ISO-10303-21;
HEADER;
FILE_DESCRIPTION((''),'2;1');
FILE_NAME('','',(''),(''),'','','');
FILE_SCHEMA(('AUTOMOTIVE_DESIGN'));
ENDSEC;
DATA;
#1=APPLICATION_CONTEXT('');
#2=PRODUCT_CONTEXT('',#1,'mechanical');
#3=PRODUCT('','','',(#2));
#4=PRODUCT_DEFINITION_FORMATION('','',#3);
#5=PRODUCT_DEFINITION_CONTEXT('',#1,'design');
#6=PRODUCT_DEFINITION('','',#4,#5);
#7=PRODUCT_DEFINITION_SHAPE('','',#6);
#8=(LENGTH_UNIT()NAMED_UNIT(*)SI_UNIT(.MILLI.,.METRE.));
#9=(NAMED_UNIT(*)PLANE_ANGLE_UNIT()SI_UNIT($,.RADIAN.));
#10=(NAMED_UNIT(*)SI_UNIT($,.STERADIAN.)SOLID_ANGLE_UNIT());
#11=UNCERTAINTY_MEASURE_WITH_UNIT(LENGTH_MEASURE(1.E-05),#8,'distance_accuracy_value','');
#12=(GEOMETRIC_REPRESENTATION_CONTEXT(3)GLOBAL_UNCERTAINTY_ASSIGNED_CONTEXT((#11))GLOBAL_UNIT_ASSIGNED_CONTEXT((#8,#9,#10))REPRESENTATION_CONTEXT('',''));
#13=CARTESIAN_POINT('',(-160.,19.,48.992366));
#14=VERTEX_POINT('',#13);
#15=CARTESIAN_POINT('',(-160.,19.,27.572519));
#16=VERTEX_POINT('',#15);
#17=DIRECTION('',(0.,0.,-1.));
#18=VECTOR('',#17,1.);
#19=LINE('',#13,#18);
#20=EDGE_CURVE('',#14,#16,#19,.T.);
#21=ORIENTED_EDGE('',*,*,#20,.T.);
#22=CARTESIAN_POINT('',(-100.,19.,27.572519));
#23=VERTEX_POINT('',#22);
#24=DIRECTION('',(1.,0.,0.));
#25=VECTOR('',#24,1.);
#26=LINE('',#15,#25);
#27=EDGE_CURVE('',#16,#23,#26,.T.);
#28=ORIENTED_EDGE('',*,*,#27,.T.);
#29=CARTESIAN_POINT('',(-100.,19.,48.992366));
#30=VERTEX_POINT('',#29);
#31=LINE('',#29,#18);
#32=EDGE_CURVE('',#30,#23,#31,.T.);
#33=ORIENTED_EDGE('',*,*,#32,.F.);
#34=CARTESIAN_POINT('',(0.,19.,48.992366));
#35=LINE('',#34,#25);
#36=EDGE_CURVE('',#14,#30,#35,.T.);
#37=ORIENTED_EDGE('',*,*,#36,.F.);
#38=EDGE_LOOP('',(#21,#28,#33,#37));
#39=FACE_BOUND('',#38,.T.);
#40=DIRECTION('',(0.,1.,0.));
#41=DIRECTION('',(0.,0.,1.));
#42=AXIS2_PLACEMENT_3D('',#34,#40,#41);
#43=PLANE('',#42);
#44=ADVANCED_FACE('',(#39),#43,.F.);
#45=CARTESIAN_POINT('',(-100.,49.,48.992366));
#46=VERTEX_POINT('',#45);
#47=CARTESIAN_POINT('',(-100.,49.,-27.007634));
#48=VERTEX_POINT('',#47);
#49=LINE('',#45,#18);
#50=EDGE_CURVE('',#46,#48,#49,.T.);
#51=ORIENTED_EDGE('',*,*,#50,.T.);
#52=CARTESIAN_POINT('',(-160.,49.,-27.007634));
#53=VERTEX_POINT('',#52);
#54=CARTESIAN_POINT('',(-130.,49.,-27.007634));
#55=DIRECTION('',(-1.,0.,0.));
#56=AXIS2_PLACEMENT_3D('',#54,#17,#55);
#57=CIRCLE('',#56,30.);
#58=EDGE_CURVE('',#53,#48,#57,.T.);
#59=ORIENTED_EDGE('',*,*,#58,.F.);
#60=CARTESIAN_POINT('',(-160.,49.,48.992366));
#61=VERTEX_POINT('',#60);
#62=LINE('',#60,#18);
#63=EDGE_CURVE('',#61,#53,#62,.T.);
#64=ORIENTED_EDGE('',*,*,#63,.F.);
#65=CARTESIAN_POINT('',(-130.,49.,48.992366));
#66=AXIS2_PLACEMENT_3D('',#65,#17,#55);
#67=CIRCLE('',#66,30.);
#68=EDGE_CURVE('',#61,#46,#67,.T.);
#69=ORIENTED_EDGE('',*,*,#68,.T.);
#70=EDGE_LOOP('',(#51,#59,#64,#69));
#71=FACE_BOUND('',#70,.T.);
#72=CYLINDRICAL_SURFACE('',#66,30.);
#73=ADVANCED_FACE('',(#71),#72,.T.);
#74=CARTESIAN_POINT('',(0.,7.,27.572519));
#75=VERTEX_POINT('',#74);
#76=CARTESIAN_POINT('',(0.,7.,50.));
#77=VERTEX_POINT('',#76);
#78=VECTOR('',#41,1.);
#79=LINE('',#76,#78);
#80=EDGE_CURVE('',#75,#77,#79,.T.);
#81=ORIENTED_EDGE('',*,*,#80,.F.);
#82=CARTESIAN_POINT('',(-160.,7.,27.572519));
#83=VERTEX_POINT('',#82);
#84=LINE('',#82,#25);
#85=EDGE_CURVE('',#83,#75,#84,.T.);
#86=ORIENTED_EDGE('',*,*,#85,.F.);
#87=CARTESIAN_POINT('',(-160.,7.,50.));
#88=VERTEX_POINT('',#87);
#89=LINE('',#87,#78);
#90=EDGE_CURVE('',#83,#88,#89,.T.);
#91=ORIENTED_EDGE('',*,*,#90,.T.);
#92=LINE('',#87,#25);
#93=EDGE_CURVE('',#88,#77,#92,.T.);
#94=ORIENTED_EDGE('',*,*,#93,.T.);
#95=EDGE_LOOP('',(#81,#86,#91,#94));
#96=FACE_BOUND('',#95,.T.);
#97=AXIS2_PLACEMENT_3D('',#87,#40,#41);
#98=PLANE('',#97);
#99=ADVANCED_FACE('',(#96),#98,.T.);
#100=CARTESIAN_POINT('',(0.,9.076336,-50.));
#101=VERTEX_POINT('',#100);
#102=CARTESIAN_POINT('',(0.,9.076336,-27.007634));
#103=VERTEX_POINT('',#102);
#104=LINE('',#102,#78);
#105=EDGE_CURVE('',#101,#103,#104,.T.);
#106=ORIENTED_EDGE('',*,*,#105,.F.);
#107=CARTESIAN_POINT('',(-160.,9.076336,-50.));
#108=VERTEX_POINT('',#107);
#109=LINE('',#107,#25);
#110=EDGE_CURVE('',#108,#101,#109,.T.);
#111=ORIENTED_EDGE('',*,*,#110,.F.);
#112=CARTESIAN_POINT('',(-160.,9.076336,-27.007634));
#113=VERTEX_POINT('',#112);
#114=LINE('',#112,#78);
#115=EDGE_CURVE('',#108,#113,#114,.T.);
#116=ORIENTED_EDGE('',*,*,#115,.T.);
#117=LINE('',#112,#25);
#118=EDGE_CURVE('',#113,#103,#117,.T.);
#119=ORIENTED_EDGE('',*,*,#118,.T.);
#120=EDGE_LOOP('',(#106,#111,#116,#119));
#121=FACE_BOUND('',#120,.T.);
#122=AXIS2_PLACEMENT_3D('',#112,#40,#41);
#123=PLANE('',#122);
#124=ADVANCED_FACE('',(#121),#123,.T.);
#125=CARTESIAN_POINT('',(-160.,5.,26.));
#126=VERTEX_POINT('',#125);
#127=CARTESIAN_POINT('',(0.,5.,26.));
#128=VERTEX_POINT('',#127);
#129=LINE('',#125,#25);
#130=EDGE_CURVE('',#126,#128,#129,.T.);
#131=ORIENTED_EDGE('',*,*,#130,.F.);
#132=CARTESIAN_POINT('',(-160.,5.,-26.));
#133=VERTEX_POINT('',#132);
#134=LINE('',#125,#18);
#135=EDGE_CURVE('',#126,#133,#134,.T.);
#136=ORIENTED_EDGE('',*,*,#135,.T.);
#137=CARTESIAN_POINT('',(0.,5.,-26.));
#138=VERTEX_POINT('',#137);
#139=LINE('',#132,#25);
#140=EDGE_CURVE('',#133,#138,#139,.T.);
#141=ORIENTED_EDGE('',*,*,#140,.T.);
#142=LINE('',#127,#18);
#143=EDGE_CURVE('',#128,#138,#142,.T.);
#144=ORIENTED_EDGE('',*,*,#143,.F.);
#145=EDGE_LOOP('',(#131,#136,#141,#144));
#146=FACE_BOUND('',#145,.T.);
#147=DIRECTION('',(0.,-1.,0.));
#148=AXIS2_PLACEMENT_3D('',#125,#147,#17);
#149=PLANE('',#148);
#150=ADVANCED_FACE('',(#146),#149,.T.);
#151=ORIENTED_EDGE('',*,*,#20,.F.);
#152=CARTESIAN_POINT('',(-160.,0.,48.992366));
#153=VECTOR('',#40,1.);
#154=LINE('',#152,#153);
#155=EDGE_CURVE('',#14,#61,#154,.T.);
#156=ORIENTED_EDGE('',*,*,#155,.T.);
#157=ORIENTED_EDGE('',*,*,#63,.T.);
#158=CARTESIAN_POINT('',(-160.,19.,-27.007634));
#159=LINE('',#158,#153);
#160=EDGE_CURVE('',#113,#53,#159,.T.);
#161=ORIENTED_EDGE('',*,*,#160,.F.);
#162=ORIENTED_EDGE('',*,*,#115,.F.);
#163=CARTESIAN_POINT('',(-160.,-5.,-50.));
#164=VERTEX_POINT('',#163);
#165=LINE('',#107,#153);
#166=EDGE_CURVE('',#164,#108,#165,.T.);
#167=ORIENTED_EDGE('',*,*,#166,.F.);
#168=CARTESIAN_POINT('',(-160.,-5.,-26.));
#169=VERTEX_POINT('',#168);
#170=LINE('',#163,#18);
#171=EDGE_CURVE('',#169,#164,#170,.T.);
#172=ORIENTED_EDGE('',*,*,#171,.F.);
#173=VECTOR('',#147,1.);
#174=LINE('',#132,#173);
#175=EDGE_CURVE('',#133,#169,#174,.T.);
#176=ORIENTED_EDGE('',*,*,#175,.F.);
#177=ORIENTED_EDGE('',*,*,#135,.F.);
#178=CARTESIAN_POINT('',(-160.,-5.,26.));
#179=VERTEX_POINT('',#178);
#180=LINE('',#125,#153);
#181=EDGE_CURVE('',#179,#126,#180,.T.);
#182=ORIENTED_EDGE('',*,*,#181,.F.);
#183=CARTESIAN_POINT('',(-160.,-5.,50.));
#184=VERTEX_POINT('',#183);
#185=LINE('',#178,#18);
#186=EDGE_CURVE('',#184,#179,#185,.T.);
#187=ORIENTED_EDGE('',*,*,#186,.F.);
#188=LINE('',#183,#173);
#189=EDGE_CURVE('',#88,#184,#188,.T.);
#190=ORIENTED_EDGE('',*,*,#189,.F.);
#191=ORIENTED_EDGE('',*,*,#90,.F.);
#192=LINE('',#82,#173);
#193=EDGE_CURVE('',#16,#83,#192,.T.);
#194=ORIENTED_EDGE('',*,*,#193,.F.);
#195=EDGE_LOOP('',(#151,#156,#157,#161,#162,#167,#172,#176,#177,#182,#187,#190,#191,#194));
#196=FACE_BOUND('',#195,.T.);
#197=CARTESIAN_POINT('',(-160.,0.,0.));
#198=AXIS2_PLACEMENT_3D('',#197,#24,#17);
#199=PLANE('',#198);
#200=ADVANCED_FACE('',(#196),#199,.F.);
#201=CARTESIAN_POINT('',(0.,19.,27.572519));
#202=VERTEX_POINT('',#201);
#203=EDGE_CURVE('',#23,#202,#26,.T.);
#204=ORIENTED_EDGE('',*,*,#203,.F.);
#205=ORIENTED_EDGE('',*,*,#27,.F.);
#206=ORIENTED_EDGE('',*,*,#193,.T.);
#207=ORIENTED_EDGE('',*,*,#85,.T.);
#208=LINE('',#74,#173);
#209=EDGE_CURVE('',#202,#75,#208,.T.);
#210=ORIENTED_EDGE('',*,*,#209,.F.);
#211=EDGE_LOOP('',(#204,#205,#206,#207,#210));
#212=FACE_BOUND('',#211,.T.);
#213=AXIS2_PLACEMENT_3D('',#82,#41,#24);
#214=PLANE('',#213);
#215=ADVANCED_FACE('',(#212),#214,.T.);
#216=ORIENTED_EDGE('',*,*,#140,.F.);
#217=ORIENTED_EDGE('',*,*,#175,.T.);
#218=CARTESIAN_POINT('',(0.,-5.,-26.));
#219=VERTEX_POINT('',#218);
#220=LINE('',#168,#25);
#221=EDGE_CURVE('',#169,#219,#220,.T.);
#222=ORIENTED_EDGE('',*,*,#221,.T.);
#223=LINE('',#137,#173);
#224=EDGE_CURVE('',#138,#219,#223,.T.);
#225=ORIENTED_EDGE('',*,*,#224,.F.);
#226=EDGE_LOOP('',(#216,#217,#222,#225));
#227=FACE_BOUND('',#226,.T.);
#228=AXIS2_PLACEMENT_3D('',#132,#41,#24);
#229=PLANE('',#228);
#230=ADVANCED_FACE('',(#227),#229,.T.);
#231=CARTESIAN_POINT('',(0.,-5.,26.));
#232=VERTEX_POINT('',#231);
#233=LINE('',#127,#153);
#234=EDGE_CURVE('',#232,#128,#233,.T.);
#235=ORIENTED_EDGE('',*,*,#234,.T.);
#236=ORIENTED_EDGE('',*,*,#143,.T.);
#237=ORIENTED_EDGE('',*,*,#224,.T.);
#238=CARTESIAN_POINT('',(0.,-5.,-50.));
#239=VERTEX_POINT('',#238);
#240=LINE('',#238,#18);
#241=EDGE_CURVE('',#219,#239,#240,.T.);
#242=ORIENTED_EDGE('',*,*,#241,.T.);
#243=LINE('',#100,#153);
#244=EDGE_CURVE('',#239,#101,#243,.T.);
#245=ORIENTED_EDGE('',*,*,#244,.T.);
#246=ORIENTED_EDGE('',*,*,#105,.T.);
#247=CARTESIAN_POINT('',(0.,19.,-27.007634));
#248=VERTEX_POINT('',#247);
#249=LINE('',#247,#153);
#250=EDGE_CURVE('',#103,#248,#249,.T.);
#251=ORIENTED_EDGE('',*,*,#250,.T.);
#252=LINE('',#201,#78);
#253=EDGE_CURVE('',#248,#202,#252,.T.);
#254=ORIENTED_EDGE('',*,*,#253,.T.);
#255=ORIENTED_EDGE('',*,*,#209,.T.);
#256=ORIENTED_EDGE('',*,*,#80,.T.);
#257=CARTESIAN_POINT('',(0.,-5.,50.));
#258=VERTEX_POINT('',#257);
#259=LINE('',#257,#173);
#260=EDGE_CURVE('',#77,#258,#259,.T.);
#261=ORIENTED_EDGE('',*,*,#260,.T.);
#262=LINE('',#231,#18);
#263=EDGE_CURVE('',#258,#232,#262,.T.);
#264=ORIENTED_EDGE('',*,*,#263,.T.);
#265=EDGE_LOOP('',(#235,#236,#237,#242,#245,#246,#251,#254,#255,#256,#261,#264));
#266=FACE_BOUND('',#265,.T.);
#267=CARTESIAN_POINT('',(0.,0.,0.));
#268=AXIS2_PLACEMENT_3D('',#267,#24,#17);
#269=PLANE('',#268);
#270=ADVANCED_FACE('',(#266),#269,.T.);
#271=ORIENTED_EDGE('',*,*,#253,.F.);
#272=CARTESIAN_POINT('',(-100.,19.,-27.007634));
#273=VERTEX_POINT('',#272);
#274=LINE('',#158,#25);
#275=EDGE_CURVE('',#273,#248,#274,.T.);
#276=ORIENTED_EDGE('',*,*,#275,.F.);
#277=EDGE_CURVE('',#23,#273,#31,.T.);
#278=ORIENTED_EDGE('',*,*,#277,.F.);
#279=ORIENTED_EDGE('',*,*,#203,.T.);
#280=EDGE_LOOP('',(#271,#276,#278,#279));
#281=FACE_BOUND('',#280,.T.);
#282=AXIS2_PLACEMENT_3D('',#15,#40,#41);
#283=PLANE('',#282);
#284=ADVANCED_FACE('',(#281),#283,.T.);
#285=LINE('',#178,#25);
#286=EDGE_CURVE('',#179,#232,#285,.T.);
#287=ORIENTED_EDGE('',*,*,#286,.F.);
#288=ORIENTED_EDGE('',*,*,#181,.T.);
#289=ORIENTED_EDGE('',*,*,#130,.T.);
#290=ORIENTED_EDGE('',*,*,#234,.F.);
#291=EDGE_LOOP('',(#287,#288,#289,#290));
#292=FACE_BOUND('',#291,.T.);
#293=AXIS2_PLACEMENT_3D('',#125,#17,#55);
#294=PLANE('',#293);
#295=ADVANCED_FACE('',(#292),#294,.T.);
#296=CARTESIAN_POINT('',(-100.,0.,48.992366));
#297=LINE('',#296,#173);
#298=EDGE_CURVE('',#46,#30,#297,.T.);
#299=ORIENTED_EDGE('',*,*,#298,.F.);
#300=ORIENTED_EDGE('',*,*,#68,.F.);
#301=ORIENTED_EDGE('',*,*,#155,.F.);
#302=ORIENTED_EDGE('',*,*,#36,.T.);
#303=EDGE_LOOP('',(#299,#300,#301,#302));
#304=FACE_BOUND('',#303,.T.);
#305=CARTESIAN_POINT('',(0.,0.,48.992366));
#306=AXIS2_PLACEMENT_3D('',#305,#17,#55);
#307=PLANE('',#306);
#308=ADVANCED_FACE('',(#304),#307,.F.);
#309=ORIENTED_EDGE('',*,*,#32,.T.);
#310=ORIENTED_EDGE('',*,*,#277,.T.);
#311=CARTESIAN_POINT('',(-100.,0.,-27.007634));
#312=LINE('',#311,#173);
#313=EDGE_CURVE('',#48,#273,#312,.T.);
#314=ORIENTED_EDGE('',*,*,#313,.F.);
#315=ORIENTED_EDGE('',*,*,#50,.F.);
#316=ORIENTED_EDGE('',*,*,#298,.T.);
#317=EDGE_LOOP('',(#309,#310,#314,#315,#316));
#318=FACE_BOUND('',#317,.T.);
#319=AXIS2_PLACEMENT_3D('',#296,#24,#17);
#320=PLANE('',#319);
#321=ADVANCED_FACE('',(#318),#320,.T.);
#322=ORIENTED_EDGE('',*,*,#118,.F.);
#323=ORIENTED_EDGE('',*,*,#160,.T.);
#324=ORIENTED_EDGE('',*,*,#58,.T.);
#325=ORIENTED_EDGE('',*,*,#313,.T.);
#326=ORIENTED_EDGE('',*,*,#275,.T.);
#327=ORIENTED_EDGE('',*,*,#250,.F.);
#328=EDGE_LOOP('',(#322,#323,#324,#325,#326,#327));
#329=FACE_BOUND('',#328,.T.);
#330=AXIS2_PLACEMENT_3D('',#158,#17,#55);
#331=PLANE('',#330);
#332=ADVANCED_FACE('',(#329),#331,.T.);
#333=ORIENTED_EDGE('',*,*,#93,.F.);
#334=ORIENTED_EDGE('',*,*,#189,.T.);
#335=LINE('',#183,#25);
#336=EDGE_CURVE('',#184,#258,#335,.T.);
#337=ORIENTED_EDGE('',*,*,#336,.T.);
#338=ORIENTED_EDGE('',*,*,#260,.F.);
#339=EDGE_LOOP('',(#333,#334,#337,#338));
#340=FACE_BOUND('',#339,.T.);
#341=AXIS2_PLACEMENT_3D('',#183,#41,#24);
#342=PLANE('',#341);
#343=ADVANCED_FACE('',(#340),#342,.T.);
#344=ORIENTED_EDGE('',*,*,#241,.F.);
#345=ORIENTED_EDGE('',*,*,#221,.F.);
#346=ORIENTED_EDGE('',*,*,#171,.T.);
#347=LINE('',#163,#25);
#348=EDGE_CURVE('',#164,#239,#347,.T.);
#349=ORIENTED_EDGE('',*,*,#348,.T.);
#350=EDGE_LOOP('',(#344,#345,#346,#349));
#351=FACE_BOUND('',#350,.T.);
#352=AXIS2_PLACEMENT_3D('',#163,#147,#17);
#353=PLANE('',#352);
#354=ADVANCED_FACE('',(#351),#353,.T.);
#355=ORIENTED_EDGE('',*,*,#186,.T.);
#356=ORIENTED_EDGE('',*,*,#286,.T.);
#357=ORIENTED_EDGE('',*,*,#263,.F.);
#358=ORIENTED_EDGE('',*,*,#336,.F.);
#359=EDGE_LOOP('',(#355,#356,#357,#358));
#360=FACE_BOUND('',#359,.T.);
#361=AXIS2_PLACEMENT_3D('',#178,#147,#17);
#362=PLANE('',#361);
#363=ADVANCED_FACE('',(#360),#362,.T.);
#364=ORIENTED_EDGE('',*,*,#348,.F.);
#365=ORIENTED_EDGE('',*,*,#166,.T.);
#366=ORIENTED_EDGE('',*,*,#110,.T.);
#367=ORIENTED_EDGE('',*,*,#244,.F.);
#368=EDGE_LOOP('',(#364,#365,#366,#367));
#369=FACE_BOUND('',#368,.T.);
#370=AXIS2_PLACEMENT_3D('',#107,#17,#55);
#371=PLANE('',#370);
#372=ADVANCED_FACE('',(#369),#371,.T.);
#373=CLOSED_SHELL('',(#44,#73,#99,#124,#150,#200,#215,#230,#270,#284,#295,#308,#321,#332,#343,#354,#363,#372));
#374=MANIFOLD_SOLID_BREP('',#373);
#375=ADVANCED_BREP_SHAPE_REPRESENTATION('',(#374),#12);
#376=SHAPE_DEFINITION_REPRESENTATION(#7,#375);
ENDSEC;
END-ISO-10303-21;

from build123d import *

# Parameters (mm, degrees)
BOSS_EXTRUDE1_DEPTH = 160
SKETCH2_R           = 15
BOSS_EXTRUDE2_DEPTH = 76


with BuildPart() as part:
    # Sketch1 → Boss-Extrude1 (new body)
    with BuildSketch(Plane(origin=(0, 0, 0), x_dir=(0, 0, -1), z_dir=(1, 0, 0))):
        Polygon((-26, -5), (-50, -5), (-50, 7), (-27.572519084, 7), (-27.572519084, 19), (27.007633588, 19), (27.007633588, 9.076335878), (50, 9.076335878), (50, -5), (26, -5), (26, 5), (-26, 5), align=None)
    extrude(amount=-BOSS_EXTRUDE1_DEPTH)

    # Sketch2 → Boss-Extrude2 (add)
    with BuildSketch(Plane(origin=(0, 0, -27.007633588), x_dir=(-1, 0, 0), z_dir=(0, 0, -1))):
        with BuildLine():
            Line((100, 19), (160, 19))
            Line((160, 19), (160, 49))
            ThreePointArc((160, 49), (130, 79), (100, 49))
            Line((100, 49), (100, 19))
        make_face()
        with Locations((130, 49)):
            Circle(SKETCH2_R, mode=Mode.SUBTRACT)
        with Locations((130, 49)):
            Circle(SKETCH2_R)
    extrude(amount=-BOSS_EXTRUDE2_DEPTH)


solid = part.part
